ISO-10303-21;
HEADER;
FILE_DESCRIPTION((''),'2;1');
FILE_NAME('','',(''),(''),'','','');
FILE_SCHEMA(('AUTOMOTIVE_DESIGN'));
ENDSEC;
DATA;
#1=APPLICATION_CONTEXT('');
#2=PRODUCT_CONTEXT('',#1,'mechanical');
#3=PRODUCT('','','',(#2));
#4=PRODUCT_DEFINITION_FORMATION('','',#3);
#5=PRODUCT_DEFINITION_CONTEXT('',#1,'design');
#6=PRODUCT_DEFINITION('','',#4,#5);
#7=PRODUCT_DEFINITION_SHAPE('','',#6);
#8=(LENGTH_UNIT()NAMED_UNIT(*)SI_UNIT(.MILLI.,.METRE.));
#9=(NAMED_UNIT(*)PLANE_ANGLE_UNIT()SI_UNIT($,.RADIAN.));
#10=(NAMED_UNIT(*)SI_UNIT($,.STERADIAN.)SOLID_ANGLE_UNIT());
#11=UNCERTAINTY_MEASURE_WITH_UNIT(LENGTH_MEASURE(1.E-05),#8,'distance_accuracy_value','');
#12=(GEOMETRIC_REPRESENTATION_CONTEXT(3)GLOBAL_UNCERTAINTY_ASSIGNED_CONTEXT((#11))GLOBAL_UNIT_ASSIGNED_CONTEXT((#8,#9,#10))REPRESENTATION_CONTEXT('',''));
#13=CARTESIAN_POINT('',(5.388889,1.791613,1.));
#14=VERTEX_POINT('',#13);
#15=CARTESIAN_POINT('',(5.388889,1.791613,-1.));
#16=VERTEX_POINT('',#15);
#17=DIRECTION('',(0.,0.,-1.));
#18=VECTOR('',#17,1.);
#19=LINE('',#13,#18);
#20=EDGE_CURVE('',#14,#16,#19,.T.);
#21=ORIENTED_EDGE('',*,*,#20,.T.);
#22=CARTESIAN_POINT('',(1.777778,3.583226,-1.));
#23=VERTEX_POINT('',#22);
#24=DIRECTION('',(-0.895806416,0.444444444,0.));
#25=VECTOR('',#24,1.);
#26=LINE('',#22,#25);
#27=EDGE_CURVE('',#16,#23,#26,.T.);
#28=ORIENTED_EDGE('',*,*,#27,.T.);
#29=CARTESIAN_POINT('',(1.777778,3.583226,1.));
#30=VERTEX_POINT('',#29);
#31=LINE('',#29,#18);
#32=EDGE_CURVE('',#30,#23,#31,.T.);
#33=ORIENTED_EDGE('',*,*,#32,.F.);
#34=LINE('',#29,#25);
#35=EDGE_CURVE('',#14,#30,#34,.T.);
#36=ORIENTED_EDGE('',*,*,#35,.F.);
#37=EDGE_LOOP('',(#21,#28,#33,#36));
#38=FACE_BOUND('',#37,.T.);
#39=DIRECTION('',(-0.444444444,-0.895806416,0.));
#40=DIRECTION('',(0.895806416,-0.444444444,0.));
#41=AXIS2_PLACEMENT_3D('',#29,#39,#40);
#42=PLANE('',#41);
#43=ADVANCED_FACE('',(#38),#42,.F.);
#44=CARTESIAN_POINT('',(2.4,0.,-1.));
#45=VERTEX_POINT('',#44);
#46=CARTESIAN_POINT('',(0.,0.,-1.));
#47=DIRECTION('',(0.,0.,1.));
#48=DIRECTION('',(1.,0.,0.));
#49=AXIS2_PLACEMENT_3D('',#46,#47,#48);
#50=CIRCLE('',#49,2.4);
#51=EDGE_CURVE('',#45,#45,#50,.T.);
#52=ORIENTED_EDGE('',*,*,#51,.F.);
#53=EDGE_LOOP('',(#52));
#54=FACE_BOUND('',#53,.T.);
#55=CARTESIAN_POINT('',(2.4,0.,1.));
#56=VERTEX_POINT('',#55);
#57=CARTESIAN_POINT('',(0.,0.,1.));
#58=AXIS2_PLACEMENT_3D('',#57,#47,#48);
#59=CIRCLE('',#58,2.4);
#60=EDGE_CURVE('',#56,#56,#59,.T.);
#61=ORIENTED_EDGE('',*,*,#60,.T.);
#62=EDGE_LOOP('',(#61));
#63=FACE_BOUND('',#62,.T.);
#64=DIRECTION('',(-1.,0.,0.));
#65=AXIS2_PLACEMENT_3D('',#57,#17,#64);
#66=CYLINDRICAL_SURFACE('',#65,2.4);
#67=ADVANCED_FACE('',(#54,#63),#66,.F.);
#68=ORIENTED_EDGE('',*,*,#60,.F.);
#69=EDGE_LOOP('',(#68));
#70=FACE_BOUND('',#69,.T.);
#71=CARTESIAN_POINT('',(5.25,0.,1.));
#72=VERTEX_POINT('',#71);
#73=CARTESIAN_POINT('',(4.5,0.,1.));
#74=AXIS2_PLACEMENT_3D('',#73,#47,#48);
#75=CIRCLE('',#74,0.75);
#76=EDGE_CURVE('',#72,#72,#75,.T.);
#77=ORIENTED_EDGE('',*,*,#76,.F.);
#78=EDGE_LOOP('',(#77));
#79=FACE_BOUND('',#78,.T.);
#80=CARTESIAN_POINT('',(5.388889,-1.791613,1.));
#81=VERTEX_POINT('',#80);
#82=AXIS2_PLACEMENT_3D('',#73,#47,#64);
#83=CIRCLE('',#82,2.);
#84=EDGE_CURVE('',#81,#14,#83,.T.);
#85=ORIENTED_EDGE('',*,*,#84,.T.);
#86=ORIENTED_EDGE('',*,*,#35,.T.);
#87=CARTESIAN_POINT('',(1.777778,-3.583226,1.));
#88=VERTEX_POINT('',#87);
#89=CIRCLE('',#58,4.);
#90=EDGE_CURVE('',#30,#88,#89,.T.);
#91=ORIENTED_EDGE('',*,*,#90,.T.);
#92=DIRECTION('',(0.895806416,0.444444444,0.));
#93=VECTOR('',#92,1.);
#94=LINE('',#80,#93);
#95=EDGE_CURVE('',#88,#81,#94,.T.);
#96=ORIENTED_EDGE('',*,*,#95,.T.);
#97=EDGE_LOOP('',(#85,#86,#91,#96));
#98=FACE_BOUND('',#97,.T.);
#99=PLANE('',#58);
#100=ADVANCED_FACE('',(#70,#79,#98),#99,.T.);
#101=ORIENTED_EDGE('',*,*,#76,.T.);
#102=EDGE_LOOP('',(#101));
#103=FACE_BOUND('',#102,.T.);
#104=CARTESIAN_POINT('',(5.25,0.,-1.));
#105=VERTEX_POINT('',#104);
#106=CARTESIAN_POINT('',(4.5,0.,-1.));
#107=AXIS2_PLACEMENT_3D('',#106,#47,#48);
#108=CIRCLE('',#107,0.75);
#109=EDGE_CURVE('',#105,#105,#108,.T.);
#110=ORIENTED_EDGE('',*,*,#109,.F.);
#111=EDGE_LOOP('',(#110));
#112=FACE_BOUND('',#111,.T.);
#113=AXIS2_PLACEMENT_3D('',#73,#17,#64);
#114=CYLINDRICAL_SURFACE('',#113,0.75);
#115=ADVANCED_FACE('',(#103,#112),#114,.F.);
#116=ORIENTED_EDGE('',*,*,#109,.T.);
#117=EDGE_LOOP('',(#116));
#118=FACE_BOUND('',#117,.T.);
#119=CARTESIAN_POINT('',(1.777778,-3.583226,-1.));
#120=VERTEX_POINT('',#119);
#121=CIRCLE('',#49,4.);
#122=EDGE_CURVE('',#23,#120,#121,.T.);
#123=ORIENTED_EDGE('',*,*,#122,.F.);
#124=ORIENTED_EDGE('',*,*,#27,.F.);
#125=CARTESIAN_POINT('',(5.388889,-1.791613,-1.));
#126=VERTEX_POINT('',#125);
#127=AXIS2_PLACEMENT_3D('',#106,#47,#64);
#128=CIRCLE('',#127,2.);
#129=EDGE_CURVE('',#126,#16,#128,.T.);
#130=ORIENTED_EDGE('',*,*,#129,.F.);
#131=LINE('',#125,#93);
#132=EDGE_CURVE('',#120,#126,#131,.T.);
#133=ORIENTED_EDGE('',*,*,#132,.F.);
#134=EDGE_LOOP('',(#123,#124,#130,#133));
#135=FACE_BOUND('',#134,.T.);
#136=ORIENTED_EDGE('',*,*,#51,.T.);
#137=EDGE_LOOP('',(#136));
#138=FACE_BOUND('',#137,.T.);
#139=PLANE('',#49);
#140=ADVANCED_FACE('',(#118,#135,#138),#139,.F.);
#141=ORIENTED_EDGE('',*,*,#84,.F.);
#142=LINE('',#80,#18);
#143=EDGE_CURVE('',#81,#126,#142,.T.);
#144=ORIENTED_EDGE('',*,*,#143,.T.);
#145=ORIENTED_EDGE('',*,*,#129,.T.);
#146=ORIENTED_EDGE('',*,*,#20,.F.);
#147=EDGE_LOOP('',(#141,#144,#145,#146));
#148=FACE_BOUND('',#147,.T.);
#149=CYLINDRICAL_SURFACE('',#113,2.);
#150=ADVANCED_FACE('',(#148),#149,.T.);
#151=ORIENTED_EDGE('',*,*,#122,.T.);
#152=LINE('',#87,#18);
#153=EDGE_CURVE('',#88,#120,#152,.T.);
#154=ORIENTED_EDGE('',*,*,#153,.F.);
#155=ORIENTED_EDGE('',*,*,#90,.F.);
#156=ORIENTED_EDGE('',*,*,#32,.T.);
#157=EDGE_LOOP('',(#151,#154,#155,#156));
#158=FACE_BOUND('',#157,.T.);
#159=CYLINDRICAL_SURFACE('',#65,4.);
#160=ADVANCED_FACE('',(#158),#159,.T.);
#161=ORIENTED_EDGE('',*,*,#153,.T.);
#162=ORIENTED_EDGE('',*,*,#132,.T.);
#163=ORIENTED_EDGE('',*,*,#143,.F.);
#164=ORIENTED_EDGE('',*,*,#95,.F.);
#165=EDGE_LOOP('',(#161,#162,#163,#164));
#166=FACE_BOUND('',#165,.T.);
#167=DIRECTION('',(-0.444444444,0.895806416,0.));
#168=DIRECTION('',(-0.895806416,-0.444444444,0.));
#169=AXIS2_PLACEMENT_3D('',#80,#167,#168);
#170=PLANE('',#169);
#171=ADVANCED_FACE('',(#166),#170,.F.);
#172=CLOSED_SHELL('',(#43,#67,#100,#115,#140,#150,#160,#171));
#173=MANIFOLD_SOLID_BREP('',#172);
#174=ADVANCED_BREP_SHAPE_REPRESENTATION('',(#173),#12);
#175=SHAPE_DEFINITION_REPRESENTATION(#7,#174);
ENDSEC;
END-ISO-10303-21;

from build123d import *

# Parameters (mm, degrees)
SKETCH1_R           = 2.4
SKETCH1_R_2         = 0.75
BOSS_EXTRUDE1_DEPTH = 1


with BuildPart() as part:
    # Sketch1 → Boss-Extrude1 (new, symmetric)
    with BuildSketch(Plane.XY):
        with BuildLine():
            Line((1.777777778, 3.583225666), (5.388888889, 1.791612833))
            ThreePointArc((5.388888889, 1.791612833), (6.5, 0), (5.388888889, -1.791612833))
            Line((5.388888889, -1.791612833), (1.777777778, -3.583225666))
            ThreePointArc((1.777777778, -3.583225666), (-4, 0), (1.777777778, 3.583225666))
        make_face()
        Circle(SKETCH1_R, mode=Mode.SUBTRACT)
        with Locations((4.5, 0)):
            Circle(SKETCH1_R_2, mode=Mode.SUBTRACT)
    extrude(amount=BOSS_EXTRUDE1_DEPTH, both=True)


solid = part.part
